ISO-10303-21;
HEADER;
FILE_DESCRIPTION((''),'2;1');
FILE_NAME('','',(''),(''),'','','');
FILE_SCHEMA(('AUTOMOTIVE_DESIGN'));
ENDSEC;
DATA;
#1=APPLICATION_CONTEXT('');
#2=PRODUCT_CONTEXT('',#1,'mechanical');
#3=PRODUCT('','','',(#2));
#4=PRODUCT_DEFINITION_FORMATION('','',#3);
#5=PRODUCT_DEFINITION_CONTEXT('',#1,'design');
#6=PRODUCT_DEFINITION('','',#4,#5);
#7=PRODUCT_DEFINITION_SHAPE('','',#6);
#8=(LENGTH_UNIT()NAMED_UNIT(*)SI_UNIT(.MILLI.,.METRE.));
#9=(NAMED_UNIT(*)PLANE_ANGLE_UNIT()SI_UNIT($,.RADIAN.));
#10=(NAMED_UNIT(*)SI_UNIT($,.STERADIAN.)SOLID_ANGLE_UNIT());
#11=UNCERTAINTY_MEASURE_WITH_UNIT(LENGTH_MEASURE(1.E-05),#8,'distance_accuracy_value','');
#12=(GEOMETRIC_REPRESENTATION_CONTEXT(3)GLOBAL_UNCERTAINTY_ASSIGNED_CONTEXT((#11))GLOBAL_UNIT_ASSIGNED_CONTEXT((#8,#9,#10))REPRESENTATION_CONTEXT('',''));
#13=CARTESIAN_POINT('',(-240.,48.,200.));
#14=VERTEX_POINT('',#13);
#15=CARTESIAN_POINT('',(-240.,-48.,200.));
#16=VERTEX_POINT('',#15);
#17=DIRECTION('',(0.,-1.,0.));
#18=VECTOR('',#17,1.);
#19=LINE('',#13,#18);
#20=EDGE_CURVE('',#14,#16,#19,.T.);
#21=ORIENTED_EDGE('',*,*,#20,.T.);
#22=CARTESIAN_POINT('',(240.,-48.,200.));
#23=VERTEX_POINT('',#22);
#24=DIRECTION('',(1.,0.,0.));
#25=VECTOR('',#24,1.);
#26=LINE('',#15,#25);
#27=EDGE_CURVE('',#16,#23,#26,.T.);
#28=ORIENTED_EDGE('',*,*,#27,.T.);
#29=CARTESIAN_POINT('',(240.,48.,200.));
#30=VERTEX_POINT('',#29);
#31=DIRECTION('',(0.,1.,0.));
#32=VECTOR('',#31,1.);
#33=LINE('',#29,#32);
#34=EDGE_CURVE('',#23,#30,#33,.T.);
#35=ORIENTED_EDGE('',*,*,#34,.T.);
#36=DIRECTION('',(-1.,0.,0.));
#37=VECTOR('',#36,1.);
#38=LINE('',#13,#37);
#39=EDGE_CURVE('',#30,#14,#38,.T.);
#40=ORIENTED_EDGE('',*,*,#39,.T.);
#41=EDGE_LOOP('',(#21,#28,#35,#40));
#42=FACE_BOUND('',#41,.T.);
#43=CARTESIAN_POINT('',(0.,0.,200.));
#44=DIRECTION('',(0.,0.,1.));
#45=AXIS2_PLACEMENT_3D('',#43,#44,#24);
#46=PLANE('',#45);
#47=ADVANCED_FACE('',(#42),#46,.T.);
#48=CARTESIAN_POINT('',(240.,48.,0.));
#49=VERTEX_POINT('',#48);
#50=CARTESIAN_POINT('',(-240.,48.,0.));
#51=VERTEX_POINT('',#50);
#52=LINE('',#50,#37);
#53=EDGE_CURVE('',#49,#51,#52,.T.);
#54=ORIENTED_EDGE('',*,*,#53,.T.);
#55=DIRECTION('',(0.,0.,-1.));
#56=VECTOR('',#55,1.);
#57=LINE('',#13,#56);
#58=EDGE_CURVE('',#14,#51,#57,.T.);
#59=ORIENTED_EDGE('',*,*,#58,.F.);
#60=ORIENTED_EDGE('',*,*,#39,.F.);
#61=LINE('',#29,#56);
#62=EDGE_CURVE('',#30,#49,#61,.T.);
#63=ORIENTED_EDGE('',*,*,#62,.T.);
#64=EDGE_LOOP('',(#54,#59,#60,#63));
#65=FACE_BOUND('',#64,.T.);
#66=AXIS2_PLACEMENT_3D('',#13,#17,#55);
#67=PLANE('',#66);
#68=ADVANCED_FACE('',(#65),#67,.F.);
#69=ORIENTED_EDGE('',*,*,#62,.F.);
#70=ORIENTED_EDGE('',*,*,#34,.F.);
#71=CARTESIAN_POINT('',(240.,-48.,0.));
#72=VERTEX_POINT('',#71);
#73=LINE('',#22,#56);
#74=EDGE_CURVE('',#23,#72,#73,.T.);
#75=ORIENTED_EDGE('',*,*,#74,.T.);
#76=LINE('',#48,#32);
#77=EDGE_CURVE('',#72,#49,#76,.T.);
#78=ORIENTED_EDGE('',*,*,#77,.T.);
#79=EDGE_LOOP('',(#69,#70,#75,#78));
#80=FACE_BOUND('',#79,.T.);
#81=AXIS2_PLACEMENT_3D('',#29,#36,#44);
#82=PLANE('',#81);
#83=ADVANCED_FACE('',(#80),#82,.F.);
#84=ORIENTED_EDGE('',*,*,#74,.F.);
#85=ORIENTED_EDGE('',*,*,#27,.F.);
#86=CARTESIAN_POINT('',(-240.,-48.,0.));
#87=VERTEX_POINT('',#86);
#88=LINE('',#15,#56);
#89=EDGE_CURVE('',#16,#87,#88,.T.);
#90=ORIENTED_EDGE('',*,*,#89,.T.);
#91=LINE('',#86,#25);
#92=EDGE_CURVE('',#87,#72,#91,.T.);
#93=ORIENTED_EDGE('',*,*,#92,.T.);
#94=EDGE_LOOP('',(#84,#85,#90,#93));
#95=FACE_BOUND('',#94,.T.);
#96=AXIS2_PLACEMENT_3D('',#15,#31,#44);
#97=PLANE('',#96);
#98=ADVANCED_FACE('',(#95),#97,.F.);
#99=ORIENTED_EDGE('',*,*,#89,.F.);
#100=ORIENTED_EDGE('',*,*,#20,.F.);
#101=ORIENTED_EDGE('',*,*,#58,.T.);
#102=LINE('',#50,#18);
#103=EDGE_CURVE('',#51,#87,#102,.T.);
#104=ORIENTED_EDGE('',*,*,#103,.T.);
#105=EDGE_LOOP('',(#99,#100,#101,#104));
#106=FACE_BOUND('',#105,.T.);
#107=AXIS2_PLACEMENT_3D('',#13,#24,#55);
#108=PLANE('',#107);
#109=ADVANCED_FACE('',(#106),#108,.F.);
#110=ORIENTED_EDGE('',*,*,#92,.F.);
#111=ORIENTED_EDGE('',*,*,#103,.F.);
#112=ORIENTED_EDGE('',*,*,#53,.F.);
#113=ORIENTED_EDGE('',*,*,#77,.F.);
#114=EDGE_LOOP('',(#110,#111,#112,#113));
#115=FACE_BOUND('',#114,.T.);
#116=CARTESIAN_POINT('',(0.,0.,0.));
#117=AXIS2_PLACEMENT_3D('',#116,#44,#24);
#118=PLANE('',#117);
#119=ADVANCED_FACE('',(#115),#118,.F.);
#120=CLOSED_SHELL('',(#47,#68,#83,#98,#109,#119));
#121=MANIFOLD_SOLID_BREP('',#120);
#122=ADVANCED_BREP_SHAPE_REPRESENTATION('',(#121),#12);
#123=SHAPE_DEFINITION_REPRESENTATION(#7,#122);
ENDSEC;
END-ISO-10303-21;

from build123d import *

# Parameters (mm, degrees)
SKETCH_1_W      = 480
SKETCH_1_H      = 96
EXTRUDE_1_DEPTH = 200


with BuildPart() as part:
    # Эскиз1 → Бобышка-Вытянуть1 (new body)
    with BuildSketch(Plane.XY):
        Rectangle(SKETCH_1_W, SKETCH_1_H)
    extrude(amount=EXTRUDE_1_DEPTH)


solid = part.part
